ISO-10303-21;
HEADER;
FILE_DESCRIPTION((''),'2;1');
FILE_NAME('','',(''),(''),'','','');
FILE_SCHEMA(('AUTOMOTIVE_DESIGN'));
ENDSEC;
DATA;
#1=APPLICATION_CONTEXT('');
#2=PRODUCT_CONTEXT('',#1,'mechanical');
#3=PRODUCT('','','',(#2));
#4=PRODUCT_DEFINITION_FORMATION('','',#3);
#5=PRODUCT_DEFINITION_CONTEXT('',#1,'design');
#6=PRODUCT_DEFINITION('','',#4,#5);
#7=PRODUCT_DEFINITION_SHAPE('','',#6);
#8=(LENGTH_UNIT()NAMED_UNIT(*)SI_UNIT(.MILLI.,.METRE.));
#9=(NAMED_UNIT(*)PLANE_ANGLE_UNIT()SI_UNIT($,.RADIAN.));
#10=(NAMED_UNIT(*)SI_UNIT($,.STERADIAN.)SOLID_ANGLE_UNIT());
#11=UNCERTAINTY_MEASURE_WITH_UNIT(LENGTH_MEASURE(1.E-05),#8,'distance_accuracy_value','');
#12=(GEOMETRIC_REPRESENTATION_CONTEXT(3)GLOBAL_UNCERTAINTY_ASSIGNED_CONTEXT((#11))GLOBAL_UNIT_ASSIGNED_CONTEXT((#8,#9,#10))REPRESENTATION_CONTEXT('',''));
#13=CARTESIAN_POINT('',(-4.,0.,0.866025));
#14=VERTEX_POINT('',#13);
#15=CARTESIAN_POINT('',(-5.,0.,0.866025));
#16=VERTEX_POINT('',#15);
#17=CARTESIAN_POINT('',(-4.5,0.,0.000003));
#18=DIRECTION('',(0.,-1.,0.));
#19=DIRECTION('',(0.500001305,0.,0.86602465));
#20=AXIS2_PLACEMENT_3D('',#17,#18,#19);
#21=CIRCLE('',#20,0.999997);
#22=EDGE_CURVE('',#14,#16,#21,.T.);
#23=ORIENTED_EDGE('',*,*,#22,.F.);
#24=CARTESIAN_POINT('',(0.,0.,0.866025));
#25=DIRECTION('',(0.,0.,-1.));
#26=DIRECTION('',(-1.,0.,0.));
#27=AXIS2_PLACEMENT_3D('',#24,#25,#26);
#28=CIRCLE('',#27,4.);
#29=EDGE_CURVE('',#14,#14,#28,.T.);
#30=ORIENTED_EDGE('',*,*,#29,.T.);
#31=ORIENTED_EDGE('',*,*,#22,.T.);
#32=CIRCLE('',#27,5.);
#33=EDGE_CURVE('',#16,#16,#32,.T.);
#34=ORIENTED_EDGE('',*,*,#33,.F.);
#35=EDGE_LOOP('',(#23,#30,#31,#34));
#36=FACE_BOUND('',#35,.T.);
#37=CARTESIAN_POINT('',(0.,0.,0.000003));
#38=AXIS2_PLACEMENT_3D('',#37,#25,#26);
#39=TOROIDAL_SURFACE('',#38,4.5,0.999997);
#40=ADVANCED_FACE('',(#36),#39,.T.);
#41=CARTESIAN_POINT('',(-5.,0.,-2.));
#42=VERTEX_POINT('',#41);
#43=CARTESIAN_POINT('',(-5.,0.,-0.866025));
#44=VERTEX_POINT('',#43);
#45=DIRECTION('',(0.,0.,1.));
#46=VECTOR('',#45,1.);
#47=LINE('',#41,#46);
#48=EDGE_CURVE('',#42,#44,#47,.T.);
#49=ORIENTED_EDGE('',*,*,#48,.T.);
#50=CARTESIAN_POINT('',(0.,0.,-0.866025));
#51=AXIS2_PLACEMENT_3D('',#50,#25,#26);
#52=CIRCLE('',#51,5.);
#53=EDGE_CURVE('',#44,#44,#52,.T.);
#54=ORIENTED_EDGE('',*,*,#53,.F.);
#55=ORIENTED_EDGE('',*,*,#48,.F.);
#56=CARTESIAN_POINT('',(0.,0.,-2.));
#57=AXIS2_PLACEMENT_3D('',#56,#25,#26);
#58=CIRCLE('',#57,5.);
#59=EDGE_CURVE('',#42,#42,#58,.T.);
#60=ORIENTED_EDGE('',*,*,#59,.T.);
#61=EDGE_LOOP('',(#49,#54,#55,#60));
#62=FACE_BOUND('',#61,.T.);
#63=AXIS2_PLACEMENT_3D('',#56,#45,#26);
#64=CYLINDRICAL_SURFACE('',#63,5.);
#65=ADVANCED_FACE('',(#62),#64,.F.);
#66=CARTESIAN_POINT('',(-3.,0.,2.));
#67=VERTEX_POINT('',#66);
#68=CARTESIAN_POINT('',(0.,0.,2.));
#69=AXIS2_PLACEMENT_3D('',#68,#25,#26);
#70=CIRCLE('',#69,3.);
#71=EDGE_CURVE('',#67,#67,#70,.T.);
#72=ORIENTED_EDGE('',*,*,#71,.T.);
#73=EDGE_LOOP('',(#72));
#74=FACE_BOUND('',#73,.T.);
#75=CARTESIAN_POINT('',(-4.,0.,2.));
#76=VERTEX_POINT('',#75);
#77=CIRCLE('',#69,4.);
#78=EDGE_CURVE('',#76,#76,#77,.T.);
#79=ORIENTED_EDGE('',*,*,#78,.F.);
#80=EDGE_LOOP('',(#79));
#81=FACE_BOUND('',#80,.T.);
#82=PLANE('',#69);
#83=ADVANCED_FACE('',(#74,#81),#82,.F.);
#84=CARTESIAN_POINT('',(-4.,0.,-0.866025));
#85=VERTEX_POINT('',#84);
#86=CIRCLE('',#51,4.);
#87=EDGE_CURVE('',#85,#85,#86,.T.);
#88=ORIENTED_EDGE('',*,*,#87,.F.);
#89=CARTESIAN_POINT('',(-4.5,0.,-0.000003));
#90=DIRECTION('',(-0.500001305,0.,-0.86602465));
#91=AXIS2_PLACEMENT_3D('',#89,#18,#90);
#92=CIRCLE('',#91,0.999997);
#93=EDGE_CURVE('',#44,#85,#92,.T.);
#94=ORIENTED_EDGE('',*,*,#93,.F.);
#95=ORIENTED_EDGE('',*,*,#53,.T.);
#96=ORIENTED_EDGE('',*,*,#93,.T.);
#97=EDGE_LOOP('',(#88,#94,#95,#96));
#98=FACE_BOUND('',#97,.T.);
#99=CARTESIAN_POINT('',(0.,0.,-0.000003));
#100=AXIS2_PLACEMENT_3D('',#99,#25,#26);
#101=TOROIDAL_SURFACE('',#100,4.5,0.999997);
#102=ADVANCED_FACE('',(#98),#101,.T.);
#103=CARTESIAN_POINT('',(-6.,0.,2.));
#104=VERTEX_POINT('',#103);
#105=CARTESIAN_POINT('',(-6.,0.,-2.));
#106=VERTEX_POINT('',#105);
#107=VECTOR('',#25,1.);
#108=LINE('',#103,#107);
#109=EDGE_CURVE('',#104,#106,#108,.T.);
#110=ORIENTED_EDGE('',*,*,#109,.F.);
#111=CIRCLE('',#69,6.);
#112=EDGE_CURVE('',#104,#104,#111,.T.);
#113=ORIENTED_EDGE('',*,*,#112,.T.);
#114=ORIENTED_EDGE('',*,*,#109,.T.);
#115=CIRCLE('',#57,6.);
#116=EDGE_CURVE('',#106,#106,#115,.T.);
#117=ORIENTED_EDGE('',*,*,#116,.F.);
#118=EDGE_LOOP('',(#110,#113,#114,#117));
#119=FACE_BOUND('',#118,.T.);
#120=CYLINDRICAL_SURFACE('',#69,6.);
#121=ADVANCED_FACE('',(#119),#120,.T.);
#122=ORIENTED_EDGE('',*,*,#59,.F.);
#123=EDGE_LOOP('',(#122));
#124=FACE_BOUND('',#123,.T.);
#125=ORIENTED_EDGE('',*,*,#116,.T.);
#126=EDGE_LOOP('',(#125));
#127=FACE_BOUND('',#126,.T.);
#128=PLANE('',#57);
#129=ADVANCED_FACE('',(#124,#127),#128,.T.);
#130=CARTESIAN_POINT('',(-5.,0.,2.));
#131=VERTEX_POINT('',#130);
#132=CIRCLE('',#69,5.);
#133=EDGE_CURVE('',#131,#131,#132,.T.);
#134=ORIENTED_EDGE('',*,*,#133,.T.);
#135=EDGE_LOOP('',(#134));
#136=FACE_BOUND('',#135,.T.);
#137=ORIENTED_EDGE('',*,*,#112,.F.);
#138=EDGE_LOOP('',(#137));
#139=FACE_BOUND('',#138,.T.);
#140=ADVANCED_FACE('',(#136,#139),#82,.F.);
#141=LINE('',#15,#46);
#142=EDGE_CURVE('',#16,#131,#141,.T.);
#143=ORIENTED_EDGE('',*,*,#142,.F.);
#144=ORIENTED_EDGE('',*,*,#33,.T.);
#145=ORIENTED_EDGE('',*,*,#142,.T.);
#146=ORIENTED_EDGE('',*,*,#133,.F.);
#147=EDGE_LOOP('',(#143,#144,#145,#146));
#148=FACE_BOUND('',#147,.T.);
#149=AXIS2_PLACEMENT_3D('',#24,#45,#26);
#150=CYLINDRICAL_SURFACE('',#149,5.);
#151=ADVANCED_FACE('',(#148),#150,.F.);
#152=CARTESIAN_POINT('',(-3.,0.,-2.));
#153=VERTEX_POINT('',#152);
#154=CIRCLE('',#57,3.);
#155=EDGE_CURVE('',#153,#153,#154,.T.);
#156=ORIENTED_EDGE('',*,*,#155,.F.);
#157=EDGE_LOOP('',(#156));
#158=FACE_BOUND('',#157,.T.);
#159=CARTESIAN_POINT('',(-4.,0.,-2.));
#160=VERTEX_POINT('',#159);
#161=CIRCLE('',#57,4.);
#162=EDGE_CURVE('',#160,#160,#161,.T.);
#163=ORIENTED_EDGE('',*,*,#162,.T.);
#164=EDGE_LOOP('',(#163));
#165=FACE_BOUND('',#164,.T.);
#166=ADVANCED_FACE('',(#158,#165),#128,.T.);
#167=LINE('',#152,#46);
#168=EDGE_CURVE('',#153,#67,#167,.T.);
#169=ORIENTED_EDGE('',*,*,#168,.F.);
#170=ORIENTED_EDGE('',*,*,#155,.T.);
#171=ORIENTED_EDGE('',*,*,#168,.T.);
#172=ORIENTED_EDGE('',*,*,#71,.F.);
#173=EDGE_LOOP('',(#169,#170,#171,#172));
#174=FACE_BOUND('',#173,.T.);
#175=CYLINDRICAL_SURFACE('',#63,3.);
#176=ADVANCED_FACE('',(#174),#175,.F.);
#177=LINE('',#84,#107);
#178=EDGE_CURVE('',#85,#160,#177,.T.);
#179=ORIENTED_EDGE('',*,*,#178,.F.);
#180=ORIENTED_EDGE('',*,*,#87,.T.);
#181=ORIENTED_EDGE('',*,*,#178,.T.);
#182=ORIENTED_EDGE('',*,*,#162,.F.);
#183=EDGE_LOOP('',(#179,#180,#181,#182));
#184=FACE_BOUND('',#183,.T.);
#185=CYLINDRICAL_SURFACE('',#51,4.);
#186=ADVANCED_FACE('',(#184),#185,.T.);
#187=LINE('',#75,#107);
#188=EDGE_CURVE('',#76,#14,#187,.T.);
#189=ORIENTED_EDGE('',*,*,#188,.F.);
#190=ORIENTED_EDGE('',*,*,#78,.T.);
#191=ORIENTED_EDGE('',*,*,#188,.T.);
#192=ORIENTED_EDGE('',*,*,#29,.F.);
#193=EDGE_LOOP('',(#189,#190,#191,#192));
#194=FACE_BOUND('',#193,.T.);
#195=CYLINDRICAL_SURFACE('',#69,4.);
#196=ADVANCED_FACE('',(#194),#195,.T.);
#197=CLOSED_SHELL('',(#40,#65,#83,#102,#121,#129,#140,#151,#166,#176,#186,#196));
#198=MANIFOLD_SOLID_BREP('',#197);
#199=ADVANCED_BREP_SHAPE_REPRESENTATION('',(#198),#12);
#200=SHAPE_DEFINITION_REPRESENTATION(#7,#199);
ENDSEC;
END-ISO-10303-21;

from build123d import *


with BuildPart() as f1:
    # F0 (on Front) → F1 (revolve)
    with BuildSketch(Plane.XZ):
        with BuildLine():
            Line((-4, -2), (-3, -2))
            Line((-3, -2), (-3, 2))
            Line((-3, 2), (-4, 2))
            Line((-4, 2), (-4, 0.866025))
            ThreePointArc((-4, 0.866025), (-4.5, 1), (-5, 0.866025))
            Line((-5, 0.866025), (-5, 2))
            Line((-5, 2), (-6, 2))
            Line((-6, 2), (-6, -2))
            Line((-6, -2), (-5, -2))
            Line((-5, -2), (-5, -0.866025))
            ThreePointArc((-5, -0.866025), (-4.5, -1), (-4, -0.866025))
            Line((-4, -0.866025), (-4, -2))
        make_face()
    revolve(axis=Axis((0, 0, 0.304353), (0, 0, -1)))


solid = f1.part
